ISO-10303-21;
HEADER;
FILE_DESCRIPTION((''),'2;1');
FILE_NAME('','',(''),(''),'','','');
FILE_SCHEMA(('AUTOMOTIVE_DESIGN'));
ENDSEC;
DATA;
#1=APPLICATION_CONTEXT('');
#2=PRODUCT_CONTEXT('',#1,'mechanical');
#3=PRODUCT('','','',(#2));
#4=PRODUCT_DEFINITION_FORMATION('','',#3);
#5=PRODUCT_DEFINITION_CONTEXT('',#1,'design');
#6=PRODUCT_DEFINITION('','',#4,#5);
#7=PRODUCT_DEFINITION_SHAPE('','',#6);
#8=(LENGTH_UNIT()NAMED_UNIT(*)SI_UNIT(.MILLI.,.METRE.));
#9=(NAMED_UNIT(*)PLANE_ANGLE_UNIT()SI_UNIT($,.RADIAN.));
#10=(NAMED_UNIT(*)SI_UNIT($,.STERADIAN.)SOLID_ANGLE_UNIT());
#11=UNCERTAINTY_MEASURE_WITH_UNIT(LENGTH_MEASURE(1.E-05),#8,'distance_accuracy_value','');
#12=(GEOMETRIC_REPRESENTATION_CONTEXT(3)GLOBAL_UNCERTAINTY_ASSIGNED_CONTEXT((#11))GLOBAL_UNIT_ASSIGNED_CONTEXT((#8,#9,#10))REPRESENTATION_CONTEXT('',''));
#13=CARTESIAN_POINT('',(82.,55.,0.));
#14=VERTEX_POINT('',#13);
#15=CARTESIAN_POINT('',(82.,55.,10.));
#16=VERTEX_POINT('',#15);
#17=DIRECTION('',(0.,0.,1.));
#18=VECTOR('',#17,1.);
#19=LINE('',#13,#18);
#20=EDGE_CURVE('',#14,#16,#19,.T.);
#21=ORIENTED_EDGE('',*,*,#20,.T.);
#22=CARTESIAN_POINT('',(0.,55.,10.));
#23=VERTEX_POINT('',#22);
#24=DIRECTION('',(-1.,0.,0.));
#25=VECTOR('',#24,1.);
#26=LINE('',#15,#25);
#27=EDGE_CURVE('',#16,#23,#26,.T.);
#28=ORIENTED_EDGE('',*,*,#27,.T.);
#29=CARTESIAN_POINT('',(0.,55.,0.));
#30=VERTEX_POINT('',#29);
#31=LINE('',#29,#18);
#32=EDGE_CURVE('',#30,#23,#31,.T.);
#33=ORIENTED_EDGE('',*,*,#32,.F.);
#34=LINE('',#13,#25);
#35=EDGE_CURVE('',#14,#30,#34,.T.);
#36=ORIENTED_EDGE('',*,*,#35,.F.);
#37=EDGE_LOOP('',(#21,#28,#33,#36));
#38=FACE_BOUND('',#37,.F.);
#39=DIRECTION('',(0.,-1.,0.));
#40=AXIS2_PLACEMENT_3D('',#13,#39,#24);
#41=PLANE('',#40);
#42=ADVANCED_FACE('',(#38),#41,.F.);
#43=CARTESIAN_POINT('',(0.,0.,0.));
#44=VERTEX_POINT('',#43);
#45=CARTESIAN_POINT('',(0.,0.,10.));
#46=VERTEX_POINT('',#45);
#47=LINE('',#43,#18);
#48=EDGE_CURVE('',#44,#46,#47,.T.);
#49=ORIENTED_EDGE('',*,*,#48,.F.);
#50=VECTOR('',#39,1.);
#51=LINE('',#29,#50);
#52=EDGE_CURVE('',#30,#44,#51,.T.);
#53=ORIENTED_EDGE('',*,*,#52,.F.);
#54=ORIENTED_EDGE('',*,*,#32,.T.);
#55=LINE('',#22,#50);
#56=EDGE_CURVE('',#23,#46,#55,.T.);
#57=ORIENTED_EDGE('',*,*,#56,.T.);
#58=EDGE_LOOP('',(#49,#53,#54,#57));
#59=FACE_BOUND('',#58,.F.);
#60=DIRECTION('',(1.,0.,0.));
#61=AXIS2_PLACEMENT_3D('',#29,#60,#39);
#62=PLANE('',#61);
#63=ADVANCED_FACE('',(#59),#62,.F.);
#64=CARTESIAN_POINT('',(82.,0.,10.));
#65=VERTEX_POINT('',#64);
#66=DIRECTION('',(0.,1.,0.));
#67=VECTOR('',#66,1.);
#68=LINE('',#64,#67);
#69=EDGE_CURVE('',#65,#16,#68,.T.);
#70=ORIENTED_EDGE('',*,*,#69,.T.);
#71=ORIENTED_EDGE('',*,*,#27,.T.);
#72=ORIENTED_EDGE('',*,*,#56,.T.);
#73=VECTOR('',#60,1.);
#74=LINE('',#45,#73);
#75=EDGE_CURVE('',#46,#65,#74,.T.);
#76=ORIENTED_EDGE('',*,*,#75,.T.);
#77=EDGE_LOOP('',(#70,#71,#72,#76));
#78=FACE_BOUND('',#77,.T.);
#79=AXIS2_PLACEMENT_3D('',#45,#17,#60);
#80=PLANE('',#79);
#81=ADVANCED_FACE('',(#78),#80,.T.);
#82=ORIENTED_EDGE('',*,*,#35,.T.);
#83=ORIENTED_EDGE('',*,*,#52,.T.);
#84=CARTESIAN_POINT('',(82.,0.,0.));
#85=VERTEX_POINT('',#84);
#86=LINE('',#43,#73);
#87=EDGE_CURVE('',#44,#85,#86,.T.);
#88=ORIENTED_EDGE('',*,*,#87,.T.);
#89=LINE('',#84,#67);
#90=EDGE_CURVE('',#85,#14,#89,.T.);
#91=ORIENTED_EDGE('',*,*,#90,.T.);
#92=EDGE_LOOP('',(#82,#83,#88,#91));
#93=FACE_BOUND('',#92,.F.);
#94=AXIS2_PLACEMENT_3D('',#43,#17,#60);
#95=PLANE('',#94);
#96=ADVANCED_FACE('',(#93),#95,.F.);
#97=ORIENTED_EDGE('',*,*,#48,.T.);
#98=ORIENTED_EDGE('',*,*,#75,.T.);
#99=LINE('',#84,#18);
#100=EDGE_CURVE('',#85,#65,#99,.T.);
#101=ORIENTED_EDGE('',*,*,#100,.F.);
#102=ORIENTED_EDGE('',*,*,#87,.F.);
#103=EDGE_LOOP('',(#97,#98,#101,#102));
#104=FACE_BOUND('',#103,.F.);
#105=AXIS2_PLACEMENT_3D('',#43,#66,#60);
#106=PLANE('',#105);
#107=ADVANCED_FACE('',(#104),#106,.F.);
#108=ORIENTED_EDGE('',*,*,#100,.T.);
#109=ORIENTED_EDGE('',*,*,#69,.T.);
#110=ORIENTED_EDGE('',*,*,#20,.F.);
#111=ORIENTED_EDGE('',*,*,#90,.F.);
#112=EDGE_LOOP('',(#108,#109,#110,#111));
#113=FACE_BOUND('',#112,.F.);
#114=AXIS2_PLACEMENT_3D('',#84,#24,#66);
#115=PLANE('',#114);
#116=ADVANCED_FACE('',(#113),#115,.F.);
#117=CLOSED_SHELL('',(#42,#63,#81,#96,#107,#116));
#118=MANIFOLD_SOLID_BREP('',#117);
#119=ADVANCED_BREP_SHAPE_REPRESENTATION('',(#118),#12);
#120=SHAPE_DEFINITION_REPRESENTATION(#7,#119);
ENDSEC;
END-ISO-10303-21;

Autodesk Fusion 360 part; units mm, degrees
sketch "Esquisse1" plane through (0, 0, 0) normal (0, 0, 1) x (1, 0, 0)
  line L0 (0, 0) -> (82, 0)
  line L1 (82, 0) -> (82, 55)
  line L2 (82, 55) -> (0, 55)
  line L3 (0, 55) -> (0, 0)
  dimension "d1" = 82
  dimension "d2" = 55
extrude "Extrusion1" add sketch "Esquisse1" along normal blind 10
